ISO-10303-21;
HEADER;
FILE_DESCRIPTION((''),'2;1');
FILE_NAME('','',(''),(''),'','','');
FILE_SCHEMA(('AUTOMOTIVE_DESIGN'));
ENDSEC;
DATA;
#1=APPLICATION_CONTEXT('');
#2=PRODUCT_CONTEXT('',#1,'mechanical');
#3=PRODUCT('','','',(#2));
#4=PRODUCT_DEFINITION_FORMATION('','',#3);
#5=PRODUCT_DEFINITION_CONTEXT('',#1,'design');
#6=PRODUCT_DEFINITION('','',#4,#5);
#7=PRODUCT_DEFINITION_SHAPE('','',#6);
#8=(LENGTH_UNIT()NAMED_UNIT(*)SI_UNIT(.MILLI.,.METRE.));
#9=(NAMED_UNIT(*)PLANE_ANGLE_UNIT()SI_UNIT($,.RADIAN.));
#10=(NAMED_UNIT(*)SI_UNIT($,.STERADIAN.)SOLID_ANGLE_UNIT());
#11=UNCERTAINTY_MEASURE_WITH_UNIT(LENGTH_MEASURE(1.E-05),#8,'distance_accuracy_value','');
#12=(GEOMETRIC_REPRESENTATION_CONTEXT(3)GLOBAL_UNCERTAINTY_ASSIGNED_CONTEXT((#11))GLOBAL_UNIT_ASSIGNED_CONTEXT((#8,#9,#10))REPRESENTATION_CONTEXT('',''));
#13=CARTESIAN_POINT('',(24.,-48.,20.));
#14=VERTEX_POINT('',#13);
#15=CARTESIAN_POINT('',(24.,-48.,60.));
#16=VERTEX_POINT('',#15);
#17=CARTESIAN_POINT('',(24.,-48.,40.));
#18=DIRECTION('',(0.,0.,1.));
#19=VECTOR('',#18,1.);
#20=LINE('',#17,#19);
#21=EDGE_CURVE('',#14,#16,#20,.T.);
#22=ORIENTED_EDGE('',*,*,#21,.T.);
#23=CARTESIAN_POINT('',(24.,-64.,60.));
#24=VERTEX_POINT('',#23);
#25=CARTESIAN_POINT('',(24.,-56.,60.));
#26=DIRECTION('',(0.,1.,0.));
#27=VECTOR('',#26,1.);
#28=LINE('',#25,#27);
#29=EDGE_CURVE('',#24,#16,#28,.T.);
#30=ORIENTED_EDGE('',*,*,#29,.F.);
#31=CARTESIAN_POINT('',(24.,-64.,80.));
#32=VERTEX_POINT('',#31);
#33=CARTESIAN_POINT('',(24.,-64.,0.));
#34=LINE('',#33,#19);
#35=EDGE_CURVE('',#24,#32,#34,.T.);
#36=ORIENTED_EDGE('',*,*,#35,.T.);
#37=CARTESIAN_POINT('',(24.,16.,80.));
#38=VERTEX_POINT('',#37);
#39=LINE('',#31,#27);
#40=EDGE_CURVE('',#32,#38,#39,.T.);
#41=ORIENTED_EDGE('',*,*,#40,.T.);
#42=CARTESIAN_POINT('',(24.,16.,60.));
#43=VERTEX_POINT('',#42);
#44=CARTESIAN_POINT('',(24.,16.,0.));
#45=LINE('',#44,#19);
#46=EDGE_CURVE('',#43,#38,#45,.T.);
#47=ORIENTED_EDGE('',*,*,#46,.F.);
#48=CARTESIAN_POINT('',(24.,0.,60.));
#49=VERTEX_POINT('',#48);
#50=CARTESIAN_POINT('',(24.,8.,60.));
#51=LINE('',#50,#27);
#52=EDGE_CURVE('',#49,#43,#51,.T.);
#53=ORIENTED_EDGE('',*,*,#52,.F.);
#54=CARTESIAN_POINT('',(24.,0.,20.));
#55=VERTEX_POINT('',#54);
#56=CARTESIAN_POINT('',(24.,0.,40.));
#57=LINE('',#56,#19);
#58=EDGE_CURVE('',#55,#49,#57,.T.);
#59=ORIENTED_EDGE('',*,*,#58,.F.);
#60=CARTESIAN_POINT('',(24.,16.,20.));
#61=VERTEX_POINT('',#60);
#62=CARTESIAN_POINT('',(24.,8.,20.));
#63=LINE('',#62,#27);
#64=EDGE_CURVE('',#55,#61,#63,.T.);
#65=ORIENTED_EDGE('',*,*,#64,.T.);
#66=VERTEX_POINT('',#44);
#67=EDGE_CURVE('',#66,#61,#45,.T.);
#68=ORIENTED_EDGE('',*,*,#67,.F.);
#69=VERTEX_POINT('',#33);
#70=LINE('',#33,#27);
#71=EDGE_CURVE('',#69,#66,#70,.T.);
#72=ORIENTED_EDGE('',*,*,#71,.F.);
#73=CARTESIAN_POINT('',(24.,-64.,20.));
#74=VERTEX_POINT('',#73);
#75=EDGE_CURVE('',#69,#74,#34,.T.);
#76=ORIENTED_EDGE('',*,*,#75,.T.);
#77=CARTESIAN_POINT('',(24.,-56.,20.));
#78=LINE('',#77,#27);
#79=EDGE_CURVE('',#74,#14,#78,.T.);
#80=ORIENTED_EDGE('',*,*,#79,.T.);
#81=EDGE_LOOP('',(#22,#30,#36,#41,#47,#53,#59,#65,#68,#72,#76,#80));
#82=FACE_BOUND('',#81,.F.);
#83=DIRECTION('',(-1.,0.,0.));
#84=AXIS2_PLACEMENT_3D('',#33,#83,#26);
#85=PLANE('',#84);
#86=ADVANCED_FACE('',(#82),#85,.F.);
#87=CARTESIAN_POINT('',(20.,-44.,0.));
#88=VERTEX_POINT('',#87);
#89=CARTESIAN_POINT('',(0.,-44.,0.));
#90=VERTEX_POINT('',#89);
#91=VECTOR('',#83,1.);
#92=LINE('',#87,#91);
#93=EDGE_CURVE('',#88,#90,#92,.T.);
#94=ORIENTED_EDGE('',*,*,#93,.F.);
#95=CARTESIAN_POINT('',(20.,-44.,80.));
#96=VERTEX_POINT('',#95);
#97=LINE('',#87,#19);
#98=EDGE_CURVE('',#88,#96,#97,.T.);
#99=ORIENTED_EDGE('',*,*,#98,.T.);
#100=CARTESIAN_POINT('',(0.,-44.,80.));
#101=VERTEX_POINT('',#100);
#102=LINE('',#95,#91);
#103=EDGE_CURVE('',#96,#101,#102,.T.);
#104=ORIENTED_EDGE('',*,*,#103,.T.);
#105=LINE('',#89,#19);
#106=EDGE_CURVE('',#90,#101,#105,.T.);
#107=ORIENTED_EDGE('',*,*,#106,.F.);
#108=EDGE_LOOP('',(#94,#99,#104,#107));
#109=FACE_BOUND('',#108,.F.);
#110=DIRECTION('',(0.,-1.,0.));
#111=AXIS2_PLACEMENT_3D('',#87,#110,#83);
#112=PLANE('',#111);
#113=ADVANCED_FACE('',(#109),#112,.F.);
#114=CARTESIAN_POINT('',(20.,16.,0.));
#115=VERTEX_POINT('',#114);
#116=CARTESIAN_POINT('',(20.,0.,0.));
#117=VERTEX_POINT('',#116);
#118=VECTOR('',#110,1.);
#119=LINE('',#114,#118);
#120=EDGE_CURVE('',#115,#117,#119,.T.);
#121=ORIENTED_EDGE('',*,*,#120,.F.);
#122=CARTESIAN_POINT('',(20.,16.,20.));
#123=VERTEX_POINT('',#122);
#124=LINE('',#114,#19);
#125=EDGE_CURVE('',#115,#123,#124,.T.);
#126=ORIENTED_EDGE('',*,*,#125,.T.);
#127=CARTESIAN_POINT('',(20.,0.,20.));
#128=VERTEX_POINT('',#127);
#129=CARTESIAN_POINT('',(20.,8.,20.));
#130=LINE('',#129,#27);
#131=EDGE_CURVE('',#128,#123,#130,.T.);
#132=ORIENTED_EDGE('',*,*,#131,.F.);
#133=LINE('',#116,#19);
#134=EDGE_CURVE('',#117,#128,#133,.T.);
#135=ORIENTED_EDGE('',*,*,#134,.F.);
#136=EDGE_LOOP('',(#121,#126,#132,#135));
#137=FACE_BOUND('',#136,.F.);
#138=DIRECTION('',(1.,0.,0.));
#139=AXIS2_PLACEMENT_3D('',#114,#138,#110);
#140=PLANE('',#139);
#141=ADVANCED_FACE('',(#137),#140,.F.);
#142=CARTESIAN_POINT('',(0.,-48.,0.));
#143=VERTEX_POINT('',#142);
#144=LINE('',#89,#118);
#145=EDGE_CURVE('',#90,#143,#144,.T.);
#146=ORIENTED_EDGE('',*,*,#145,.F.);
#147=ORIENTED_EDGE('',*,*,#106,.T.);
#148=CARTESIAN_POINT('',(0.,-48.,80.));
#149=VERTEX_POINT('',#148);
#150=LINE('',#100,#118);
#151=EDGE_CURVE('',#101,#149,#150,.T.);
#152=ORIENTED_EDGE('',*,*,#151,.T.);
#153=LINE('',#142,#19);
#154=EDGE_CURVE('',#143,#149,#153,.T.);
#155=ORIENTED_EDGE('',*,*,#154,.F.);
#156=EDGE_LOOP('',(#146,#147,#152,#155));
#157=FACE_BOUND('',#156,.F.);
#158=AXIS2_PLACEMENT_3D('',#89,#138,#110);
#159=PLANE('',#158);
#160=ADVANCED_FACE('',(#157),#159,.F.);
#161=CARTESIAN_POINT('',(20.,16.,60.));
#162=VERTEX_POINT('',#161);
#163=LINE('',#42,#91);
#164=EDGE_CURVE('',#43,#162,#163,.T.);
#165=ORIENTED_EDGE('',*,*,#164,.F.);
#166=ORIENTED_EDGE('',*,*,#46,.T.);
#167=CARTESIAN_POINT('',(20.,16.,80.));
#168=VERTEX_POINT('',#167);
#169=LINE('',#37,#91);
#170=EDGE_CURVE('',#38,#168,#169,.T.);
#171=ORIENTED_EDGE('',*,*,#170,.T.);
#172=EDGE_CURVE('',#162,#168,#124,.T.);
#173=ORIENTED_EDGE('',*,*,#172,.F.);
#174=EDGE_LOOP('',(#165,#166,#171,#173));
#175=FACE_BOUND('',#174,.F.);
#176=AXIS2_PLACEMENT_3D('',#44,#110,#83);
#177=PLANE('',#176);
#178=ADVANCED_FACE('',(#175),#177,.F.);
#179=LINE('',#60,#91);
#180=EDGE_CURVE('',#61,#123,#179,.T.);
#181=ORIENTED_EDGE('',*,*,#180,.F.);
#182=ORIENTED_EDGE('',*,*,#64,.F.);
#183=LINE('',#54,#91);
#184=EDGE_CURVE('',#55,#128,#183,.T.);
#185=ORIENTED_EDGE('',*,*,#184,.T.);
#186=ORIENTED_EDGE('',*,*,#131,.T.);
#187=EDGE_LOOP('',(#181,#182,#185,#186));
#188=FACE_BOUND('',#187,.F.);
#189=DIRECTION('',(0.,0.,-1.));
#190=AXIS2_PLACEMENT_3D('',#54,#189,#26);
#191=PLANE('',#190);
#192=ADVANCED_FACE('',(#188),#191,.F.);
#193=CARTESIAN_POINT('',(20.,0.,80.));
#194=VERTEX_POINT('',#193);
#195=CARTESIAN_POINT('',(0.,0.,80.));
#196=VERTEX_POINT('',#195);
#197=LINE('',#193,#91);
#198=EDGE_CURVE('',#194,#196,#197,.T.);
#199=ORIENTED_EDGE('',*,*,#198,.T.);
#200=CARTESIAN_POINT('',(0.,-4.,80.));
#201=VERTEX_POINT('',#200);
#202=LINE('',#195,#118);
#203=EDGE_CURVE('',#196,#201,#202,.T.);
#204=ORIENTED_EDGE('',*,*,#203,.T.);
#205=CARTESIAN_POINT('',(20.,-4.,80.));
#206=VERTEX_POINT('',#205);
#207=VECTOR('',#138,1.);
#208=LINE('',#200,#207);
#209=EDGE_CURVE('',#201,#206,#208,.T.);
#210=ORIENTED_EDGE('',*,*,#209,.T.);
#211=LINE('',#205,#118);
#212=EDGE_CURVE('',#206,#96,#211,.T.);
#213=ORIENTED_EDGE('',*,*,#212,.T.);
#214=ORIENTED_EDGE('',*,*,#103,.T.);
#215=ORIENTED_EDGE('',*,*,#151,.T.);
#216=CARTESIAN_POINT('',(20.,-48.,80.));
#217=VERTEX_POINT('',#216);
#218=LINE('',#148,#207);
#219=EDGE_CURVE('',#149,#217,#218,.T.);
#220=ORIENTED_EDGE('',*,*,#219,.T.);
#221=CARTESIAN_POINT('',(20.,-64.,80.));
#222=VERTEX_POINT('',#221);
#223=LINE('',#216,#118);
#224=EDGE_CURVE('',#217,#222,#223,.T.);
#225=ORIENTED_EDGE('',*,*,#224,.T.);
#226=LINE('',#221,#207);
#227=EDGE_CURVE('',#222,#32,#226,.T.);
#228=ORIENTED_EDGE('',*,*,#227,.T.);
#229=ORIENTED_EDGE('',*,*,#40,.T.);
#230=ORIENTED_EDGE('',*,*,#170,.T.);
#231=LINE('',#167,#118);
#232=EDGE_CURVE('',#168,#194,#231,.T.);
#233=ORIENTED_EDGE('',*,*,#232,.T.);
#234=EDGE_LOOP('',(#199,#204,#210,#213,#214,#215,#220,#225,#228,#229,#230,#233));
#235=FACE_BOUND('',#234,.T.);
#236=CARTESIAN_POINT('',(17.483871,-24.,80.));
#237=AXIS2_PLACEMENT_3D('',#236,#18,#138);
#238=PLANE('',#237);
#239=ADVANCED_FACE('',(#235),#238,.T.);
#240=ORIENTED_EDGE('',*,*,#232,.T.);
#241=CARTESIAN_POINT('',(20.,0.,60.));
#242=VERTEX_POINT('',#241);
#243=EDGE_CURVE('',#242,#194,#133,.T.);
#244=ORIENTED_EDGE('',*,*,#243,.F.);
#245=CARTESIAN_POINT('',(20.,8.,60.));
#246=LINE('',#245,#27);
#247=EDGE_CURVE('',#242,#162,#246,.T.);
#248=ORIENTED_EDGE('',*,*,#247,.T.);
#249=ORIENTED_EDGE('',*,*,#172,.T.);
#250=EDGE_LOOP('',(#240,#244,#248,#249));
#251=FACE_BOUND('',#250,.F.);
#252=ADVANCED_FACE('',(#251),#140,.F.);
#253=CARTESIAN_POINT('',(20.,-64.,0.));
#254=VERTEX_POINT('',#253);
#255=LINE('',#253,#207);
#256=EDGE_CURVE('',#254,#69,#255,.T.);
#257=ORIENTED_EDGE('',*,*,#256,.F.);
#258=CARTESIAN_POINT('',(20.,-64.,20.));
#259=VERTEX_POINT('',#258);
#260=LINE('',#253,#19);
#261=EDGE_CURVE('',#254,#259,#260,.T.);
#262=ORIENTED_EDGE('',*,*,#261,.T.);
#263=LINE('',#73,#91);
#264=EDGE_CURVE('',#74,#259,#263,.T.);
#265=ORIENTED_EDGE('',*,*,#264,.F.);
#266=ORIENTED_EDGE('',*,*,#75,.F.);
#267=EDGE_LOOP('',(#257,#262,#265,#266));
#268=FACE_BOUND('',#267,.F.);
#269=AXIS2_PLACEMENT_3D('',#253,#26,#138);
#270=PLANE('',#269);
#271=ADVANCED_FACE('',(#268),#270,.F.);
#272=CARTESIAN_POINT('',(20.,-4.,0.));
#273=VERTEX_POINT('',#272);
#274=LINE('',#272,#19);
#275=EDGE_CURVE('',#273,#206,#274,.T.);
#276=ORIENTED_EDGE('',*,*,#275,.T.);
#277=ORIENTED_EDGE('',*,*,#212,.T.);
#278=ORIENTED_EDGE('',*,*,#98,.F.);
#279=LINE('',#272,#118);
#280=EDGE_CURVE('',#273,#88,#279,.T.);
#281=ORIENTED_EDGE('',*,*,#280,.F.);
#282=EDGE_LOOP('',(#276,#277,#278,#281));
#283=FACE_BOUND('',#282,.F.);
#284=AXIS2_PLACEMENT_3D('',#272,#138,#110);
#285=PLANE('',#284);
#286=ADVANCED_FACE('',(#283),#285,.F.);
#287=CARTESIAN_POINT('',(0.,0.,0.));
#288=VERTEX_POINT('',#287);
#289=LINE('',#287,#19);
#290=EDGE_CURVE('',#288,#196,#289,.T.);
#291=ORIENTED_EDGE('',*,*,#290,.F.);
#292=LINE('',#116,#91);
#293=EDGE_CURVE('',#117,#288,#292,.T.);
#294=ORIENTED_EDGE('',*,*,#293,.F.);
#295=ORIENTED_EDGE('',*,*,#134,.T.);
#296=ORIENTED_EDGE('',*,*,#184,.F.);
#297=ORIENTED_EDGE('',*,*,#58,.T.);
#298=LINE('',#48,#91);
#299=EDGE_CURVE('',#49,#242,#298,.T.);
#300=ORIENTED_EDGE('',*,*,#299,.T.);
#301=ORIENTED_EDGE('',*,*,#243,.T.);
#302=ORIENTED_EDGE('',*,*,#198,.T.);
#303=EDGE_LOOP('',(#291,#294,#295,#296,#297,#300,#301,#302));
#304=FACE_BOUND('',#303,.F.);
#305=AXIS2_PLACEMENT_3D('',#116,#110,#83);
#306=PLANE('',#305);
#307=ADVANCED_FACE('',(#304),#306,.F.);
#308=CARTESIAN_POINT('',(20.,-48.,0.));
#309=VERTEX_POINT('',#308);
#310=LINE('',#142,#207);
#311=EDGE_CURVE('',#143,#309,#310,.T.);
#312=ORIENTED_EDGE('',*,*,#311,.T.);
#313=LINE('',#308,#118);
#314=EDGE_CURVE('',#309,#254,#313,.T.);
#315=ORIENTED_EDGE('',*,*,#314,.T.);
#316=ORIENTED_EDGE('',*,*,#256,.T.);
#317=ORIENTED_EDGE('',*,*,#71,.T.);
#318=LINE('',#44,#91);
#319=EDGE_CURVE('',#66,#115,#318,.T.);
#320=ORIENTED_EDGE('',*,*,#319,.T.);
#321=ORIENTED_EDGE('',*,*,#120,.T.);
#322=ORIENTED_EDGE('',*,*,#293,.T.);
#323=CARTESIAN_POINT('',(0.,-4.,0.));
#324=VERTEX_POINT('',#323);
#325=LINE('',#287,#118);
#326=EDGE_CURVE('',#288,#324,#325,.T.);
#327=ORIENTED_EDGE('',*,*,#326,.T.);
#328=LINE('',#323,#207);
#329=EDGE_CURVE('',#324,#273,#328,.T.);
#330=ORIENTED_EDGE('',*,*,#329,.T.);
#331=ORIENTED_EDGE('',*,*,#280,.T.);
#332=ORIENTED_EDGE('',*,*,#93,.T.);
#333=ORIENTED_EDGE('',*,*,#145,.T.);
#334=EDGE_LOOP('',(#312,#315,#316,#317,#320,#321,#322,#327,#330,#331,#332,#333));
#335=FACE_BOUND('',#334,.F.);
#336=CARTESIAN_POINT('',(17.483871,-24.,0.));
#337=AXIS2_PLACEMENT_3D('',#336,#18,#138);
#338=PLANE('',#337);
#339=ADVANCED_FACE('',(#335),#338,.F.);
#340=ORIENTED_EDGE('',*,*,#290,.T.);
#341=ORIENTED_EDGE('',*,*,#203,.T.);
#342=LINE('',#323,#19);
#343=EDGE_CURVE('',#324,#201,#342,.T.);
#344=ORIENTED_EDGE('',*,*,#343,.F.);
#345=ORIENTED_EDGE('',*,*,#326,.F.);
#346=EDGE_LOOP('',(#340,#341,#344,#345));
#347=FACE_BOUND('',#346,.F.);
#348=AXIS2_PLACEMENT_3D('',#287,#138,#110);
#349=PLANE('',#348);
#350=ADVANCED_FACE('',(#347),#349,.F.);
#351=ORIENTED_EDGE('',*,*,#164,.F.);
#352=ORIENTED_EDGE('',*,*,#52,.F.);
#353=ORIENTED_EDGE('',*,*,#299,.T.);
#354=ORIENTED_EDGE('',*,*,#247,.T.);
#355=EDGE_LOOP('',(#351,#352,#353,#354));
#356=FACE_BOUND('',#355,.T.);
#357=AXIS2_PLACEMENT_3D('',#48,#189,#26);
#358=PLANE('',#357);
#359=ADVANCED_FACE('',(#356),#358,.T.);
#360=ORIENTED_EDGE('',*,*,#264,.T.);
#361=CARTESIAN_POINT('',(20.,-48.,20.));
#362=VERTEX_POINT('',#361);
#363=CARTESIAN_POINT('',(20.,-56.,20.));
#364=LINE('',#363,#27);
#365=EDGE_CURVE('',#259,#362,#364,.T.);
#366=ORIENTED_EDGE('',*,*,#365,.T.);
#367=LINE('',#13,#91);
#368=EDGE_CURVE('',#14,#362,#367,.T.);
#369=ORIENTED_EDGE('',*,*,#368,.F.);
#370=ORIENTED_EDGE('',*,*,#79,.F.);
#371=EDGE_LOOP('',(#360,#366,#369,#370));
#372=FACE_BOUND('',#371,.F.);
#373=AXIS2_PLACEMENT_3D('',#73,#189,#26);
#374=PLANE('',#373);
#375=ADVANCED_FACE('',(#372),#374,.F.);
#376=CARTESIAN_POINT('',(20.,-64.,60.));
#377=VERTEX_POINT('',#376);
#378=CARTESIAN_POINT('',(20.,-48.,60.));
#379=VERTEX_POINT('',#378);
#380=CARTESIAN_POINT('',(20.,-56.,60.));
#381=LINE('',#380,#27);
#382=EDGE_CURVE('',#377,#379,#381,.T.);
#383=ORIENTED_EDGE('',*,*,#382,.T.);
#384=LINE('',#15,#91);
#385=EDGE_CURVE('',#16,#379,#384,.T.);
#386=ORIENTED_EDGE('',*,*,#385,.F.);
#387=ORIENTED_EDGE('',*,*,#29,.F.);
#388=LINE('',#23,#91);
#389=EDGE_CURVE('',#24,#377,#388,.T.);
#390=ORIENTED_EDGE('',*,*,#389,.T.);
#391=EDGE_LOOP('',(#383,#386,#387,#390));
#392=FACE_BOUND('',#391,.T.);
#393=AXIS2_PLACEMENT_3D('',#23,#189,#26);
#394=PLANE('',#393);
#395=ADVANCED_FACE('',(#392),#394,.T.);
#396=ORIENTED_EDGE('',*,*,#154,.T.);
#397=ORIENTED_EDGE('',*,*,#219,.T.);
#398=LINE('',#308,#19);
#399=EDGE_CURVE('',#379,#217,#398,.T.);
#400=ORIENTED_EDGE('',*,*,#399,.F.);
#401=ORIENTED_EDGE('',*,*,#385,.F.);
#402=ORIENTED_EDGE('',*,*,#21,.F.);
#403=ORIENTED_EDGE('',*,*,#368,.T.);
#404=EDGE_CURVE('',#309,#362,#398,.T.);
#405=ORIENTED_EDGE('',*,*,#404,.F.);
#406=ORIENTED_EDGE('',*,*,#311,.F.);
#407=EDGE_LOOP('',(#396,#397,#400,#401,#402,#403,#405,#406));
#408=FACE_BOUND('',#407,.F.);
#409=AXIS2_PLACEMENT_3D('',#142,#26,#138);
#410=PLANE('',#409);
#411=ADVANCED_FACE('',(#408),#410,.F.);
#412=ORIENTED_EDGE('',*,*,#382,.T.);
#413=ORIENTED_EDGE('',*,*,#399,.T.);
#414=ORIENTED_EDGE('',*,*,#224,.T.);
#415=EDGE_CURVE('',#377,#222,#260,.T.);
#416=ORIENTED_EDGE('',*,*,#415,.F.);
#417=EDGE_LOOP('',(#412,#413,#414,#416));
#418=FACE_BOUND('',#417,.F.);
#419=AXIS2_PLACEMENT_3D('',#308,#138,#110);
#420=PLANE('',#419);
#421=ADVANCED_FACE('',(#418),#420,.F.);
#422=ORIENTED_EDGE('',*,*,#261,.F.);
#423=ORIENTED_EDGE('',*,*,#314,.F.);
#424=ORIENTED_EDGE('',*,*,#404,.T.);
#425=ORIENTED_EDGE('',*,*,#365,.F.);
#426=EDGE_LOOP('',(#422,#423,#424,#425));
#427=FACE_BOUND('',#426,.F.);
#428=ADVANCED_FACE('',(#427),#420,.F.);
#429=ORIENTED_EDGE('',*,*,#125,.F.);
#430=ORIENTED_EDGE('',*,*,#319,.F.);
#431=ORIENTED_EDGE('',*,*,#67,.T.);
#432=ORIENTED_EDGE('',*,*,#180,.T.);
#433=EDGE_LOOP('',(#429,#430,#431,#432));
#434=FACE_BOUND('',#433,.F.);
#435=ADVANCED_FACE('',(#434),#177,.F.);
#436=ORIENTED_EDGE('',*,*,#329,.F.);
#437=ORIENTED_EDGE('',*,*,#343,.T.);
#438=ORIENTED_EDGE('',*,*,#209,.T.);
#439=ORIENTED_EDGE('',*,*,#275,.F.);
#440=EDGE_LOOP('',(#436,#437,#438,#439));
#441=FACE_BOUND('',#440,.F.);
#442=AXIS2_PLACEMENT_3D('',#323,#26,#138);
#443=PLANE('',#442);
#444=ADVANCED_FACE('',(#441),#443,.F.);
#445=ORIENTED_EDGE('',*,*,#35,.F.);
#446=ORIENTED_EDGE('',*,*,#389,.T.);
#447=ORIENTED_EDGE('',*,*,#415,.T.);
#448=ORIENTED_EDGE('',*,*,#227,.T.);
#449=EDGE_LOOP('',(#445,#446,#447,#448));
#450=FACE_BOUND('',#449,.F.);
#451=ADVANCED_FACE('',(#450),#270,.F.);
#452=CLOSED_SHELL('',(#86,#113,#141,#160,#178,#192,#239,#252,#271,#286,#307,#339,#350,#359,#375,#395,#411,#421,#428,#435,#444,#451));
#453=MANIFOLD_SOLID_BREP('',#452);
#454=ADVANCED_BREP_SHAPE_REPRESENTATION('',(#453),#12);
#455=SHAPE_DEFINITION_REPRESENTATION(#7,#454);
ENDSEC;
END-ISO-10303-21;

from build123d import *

# Parameters (mm, degrees)
F1_DEPTH = 80
F2_W     = 16
F2_H     = 40
F3_DEPTH = 24.001


with BuildPart() as f1:
    # F0 (on Top) → F1 (new body)
    with BuildSketch(Plane.XY):
        Polygon((20, 0), (0, 0), (0, -4), (20, -4), (20, -44), (0, -44), (0, -48), (20, -48), (20, -64), (24, -64), (24, 16), (20, 16), align=None)
    extrude(amount=F1_DEPTH)

    # F2 (on face) → F3 (cut, through all)
    with BuildSketch(Plane.YZ.offset(24)):
        with Locations((8, 40)):
            Rectangle(F2_W, F2_H)
        with Locations((-56, 40)):
            Rectangle(F2_W, F2_H)
    extrude(amount=-F3_DEPTH, mode=Mode.SUBTRACT)


solid = f1.part
